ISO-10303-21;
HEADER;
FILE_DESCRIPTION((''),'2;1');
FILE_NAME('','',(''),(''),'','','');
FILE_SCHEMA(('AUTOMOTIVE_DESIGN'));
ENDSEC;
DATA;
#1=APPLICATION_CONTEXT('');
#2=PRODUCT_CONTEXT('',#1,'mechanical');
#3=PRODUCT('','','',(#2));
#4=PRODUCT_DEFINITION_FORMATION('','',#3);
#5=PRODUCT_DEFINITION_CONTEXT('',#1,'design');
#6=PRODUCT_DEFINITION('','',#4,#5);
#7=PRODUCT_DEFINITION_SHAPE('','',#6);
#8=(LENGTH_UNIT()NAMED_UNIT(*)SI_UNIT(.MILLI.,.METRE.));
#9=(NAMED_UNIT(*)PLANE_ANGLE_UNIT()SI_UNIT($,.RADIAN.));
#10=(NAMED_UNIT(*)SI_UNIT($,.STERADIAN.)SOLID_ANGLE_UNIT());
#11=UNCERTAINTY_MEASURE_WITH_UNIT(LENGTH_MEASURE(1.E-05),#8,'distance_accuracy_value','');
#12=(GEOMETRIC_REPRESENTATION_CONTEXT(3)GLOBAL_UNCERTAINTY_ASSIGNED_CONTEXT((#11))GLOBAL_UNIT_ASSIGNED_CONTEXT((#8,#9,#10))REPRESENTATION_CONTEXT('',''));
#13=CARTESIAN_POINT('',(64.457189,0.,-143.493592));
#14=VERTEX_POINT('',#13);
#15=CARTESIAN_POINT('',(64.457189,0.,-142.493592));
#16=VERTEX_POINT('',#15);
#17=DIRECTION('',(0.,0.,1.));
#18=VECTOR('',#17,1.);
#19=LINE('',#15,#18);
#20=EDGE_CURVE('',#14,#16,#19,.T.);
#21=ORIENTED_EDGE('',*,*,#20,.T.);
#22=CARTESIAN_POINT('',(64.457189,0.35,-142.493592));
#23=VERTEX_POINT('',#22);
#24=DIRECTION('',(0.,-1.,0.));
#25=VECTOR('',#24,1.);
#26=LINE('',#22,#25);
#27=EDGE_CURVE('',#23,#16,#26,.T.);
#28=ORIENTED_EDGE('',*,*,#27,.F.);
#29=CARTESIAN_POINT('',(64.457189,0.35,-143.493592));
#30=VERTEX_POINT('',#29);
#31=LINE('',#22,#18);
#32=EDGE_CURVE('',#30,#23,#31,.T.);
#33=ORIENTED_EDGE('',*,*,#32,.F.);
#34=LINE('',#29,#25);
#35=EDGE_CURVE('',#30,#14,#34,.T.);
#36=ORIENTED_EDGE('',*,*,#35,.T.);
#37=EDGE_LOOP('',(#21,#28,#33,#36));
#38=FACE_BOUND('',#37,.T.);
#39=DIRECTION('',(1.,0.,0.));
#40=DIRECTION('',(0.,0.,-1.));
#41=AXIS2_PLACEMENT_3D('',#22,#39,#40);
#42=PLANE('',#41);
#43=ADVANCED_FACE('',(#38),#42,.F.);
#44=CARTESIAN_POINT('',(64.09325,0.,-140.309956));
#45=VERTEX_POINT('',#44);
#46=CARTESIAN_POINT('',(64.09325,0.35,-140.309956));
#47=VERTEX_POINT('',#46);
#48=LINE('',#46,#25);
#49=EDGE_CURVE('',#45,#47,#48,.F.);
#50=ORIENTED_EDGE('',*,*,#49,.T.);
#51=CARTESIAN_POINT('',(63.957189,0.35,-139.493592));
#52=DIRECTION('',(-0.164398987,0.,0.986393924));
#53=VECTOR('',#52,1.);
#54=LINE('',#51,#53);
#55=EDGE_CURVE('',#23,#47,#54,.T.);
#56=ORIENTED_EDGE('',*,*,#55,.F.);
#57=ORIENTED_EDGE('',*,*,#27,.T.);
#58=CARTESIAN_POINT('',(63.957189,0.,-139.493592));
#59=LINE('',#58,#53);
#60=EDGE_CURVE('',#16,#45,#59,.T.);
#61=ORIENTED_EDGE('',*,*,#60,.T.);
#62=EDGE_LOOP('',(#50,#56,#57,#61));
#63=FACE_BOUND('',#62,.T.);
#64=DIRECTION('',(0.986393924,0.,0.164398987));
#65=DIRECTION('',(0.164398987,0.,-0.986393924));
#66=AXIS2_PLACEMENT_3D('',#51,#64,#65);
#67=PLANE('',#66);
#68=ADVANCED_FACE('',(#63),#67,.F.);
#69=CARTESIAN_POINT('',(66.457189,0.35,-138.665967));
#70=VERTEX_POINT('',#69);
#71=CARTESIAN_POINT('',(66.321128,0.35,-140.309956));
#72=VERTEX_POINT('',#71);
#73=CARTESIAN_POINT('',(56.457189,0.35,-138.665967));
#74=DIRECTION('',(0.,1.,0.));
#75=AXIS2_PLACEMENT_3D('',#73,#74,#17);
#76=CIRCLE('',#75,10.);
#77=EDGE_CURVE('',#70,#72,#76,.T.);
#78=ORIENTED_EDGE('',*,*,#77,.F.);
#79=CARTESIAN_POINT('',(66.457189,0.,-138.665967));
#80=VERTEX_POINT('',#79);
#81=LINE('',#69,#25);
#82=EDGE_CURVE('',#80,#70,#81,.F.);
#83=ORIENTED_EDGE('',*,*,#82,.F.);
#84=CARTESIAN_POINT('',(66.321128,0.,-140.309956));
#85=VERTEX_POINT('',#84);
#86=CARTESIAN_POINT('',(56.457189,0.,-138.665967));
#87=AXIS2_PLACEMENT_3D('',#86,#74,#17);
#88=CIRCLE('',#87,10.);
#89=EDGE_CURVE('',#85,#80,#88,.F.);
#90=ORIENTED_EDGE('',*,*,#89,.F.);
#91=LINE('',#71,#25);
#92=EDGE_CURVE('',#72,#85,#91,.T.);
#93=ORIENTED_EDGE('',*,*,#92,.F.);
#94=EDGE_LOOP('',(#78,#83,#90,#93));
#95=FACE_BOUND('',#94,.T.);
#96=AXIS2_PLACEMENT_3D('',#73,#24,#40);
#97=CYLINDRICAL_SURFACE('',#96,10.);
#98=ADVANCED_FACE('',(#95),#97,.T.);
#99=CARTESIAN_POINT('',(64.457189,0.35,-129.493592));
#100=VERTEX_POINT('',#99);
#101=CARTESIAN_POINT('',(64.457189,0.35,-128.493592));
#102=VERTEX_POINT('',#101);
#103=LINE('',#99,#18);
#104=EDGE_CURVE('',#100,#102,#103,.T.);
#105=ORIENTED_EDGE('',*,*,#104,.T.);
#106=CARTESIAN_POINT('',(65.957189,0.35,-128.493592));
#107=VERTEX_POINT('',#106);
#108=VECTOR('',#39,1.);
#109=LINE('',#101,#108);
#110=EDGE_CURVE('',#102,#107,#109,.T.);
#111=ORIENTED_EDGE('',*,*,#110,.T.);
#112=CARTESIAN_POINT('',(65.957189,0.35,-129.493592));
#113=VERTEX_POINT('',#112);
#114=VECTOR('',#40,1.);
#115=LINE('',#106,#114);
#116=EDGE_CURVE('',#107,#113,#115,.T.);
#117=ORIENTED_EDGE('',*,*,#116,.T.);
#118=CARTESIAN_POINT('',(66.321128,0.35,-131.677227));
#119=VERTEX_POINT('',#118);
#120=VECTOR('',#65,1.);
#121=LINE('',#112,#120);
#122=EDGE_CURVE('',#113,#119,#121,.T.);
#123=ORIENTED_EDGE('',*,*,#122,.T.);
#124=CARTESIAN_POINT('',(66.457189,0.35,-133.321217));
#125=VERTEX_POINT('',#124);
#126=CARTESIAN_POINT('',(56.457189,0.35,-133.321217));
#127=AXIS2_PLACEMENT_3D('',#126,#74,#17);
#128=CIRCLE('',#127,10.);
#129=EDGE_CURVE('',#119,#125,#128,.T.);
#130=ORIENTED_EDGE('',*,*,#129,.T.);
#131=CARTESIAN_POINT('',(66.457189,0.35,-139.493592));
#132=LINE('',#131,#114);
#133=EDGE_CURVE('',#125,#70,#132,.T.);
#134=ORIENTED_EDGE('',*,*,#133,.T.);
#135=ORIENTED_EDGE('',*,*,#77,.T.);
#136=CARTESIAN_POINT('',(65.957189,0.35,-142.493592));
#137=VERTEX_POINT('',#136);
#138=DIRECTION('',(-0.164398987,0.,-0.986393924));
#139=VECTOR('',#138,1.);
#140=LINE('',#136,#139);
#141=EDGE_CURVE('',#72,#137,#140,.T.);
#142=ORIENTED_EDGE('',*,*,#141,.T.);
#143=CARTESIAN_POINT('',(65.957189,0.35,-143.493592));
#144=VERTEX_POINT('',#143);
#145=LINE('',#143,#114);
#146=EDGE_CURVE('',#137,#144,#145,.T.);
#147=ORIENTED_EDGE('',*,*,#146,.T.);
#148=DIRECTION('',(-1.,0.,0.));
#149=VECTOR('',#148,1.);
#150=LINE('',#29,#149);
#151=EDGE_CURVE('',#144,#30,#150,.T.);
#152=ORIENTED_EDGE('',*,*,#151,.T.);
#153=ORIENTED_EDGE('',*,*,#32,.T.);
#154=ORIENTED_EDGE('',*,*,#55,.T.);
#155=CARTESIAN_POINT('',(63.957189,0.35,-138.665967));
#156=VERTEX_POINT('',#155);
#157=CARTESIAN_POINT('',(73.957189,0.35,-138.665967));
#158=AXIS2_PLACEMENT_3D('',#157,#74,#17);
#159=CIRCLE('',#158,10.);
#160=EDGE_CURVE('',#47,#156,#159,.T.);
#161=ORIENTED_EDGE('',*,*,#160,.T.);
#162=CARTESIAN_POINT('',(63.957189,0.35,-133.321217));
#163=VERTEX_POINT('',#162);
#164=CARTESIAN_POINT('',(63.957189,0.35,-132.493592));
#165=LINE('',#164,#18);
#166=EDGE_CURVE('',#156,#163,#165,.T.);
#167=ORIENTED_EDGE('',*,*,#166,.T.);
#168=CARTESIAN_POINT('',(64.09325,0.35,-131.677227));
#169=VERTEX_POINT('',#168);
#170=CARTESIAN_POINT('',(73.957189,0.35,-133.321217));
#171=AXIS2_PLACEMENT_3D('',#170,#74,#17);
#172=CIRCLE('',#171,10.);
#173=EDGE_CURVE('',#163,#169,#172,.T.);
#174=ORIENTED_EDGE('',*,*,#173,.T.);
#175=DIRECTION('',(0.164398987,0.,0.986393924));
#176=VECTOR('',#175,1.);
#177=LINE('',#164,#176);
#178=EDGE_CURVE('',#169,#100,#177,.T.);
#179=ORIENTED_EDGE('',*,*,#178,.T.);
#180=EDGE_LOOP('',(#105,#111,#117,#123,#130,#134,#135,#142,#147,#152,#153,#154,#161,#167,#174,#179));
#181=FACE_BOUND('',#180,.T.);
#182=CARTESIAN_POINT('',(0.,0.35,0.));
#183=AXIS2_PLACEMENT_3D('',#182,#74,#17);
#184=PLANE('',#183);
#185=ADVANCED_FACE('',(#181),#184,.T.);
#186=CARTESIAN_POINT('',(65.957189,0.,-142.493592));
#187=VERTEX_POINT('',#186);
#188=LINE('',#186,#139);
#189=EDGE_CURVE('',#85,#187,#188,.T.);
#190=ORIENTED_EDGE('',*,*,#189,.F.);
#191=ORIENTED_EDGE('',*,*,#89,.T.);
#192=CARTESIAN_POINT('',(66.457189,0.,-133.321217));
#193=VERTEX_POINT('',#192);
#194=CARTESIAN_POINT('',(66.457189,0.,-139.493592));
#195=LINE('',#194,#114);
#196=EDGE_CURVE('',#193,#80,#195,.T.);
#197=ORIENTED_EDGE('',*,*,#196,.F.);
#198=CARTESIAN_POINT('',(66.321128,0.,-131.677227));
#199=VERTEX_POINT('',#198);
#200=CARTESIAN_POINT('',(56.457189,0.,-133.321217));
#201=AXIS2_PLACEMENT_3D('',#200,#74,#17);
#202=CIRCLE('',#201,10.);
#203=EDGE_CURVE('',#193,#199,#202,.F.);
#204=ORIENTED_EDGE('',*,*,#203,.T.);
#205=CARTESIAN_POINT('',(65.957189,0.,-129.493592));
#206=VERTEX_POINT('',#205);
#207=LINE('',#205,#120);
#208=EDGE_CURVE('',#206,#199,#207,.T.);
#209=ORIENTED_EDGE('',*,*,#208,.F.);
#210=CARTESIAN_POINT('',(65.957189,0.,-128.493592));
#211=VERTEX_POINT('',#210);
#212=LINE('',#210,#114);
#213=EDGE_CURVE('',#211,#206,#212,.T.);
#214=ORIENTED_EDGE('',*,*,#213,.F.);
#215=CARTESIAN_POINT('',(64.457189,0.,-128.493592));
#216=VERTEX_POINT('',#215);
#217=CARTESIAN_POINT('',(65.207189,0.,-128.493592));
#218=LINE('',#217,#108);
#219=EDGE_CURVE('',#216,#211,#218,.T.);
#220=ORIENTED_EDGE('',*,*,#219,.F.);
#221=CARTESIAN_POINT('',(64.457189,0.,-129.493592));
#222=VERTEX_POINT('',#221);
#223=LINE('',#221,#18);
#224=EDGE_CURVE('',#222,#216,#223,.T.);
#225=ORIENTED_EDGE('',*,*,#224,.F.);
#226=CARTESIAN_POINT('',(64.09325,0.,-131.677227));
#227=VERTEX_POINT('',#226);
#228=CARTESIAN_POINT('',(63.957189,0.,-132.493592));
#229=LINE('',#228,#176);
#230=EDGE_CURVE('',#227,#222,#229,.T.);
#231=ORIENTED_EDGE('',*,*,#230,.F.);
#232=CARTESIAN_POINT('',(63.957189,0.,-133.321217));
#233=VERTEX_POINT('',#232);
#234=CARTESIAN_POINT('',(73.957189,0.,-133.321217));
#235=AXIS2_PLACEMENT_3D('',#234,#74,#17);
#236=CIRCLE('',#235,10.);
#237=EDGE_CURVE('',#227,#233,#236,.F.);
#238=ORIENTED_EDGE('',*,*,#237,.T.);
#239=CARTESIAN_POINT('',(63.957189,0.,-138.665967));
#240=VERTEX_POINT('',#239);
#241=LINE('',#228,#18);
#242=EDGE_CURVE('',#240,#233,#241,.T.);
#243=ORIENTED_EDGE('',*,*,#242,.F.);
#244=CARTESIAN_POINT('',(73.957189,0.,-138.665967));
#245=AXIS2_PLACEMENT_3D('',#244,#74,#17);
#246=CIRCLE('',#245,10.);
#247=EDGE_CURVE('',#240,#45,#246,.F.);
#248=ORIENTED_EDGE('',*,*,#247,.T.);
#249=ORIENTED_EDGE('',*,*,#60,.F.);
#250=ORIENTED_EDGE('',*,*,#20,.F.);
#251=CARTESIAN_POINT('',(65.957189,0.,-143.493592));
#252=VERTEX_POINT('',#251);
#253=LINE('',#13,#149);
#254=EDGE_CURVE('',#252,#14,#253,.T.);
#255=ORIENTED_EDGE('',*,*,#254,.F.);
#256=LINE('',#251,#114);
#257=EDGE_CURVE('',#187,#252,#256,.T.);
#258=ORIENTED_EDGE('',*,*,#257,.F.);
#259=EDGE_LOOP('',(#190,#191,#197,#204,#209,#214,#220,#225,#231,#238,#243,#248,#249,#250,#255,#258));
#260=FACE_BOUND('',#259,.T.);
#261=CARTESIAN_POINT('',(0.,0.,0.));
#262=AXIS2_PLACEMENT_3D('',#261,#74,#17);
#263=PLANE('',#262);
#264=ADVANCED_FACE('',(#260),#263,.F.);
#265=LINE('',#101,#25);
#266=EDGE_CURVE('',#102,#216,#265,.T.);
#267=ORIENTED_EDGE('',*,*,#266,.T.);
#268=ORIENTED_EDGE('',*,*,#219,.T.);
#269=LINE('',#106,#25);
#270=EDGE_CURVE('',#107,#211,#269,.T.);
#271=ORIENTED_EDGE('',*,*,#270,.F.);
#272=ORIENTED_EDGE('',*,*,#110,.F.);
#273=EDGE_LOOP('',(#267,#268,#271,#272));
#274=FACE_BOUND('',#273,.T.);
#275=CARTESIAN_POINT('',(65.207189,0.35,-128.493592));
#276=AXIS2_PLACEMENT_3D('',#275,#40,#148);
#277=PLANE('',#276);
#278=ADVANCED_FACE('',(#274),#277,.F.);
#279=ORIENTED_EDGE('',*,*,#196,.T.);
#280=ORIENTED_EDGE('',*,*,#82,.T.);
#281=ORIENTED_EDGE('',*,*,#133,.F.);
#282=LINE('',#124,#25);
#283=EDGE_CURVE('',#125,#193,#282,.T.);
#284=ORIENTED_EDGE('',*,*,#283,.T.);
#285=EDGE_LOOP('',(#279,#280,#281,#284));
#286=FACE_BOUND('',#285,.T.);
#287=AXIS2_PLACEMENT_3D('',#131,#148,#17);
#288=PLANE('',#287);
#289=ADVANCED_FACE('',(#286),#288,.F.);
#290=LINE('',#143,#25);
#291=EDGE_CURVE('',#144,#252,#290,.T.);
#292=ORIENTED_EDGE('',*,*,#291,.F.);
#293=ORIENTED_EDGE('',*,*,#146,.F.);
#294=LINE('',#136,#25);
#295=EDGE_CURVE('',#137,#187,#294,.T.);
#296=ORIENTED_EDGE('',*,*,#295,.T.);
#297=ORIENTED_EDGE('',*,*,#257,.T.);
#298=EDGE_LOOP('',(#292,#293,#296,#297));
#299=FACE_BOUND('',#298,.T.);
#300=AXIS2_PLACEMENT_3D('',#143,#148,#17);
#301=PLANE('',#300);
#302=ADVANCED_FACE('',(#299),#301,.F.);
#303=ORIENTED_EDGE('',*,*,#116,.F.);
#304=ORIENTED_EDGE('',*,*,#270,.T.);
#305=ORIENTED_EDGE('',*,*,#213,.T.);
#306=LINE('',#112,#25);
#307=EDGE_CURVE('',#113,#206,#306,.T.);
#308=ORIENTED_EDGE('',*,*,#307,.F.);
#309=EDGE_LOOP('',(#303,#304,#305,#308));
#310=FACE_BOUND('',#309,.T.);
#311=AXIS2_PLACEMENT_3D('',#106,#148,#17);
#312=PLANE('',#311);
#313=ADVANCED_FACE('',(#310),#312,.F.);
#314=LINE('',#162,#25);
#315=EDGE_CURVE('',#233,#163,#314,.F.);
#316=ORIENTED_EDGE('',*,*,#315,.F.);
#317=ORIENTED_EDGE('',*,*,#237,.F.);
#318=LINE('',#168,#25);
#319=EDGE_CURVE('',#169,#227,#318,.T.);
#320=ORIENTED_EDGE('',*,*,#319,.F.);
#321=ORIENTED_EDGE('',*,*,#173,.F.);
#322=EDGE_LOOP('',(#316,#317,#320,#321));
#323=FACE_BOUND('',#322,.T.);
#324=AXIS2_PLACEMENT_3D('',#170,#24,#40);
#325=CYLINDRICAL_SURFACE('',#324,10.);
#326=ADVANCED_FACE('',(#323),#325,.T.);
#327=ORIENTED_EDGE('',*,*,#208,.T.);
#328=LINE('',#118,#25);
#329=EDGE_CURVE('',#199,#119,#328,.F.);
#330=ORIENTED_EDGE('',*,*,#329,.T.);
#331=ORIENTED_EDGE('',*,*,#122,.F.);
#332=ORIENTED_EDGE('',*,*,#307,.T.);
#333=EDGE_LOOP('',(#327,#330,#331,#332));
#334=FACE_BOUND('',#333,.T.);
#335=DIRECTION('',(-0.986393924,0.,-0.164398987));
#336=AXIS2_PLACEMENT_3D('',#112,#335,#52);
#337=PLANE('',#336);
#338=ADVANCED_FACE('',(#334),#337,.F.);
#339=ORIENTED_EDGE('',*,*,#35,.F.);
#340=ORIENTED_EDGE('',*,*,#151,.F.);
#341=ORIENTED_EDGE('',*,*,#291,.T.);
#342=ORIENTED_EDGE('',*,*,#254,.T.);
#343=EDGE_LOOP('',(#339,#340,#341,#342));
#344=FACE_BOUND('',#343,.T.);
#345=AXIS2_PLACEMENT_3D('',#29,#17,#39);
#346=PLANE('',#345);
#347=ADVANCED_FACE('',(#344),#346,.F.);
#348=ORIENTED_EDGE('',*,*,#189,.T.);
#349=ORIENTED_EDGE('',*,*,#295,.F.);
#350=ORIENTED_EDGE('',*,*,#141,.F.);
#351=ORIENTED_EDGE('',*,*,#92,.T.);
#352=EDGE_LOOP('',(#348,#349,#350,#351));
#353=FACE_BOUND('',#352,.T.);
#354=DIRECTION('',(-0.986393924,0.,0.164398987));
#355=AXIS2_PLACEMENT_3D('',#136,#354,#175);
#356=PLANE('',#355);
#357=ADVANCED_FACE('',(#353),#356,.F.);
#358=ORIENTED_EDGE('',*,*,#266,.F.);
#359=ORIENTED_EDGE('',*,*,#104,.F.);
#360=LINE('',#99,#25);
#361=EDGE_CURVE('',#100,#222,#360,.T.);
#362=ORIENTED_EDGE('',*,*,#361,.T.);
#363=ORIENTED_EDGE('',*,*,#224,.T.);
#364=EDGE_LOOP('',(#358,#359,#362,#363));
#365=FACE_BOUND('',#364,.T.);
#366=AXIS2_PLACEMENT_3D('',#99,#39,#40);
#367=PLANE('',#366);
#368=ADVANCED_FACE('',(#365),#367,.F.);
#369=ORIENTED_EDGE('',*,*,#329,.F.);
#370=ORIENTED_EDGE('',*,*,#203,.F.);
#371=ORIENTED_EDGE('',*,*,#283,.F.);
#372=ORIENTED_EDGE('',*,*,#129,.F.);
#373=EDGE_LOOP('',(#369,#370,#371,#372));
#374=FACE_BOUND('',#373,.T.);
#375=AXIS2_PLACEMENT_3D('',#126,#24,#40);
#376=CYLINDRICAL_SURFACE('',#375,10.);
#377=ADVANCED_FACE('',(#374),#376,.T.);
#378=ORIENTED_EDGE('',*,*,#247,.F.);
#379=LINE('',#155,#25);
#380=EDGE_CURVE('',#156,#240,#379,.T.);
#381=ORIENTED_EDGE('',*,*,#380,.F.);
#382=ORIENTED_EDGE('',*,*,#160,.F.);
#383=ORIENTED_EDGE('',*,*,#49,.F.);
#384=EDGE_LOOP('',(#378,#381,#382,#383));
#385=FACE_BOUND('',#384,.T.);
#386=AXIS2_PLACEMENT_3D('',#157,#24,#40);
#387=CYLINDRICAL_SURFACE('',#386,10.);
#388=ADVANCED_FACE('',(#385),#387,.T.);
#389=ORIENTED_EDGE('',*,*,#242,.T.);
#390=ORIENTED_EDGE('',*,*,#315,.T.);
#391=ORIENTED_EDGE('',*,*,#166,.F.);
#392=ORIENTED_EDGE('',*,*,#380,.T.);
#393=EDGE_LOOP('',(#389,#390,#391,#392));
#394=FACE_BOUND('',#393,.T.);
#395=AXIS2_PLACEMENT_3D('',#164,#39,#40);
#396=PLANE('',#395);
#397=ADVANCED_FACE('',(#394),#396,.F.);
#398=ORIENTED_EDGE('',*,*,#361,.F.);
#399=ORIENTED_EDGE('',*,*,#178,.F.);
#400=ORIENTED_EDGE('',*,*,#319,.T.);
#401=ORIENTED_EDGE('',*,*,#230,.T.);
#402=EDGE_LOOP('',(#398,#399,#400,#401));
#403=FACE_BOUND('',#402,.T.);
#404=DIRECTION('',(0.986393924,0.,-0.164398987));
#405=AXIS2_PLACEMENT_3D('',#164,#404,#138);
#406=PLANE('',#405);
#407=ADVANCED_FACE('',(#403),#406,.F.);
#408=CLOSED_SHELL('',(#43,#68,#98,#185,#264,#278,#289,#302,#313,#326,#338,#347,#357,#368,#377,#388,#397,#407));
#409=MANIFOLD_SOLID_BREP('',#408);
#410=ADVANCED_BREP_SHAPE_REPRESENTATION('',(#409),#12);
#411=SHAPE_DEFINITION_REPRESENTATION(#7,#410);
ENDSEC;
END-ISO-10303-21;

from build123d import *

# Parameters (mm, degrees)
BOSS_EXTRUDE1_DEPTH = 0.35
FILLET1_R           = 10


with BuildPart() as part:
    # Sketch1 → Boss-Extrude1 (new body)
    with BuildSketch(Plane(origin=(0, 0, 0.002129552), x_dir=(1, 0, 0), z_dir=(0, 1, 0))):
        Polygon((65.957189, 129.495721477), (66.457189, 132.495721477), (66.457189, 139.495721477), (65.957189, 142.495721477), (65.957189, 143.495721477), (64.457189, 143.495721477), (64.457189, 142.495721477), (63.957189, 139.495721477), (63.957189, 132.495721477), (64.457189, 129.495721477), (64.457189, 128.495721477), (65.207189, 128.495721477), (65.957189, 128.495721477), align=None)
    extrude(amount=BOSS_EXTRUDE1_DEPTH)

    # Fillet1
    fillet1_edges = [part.edges().sort_by_distance(p)[0] for p in [
        (66.457189, 0.175, -132.493591924),
        (63.957189, 0.175, -132.493591924),
        (63.957189, 0.175, -139.493591924),
        (66.457189, 0.175, -139.493591924),
    ]]
    fillet(fillet1_edges, radius=FILLET1_R)


solid = part.part
